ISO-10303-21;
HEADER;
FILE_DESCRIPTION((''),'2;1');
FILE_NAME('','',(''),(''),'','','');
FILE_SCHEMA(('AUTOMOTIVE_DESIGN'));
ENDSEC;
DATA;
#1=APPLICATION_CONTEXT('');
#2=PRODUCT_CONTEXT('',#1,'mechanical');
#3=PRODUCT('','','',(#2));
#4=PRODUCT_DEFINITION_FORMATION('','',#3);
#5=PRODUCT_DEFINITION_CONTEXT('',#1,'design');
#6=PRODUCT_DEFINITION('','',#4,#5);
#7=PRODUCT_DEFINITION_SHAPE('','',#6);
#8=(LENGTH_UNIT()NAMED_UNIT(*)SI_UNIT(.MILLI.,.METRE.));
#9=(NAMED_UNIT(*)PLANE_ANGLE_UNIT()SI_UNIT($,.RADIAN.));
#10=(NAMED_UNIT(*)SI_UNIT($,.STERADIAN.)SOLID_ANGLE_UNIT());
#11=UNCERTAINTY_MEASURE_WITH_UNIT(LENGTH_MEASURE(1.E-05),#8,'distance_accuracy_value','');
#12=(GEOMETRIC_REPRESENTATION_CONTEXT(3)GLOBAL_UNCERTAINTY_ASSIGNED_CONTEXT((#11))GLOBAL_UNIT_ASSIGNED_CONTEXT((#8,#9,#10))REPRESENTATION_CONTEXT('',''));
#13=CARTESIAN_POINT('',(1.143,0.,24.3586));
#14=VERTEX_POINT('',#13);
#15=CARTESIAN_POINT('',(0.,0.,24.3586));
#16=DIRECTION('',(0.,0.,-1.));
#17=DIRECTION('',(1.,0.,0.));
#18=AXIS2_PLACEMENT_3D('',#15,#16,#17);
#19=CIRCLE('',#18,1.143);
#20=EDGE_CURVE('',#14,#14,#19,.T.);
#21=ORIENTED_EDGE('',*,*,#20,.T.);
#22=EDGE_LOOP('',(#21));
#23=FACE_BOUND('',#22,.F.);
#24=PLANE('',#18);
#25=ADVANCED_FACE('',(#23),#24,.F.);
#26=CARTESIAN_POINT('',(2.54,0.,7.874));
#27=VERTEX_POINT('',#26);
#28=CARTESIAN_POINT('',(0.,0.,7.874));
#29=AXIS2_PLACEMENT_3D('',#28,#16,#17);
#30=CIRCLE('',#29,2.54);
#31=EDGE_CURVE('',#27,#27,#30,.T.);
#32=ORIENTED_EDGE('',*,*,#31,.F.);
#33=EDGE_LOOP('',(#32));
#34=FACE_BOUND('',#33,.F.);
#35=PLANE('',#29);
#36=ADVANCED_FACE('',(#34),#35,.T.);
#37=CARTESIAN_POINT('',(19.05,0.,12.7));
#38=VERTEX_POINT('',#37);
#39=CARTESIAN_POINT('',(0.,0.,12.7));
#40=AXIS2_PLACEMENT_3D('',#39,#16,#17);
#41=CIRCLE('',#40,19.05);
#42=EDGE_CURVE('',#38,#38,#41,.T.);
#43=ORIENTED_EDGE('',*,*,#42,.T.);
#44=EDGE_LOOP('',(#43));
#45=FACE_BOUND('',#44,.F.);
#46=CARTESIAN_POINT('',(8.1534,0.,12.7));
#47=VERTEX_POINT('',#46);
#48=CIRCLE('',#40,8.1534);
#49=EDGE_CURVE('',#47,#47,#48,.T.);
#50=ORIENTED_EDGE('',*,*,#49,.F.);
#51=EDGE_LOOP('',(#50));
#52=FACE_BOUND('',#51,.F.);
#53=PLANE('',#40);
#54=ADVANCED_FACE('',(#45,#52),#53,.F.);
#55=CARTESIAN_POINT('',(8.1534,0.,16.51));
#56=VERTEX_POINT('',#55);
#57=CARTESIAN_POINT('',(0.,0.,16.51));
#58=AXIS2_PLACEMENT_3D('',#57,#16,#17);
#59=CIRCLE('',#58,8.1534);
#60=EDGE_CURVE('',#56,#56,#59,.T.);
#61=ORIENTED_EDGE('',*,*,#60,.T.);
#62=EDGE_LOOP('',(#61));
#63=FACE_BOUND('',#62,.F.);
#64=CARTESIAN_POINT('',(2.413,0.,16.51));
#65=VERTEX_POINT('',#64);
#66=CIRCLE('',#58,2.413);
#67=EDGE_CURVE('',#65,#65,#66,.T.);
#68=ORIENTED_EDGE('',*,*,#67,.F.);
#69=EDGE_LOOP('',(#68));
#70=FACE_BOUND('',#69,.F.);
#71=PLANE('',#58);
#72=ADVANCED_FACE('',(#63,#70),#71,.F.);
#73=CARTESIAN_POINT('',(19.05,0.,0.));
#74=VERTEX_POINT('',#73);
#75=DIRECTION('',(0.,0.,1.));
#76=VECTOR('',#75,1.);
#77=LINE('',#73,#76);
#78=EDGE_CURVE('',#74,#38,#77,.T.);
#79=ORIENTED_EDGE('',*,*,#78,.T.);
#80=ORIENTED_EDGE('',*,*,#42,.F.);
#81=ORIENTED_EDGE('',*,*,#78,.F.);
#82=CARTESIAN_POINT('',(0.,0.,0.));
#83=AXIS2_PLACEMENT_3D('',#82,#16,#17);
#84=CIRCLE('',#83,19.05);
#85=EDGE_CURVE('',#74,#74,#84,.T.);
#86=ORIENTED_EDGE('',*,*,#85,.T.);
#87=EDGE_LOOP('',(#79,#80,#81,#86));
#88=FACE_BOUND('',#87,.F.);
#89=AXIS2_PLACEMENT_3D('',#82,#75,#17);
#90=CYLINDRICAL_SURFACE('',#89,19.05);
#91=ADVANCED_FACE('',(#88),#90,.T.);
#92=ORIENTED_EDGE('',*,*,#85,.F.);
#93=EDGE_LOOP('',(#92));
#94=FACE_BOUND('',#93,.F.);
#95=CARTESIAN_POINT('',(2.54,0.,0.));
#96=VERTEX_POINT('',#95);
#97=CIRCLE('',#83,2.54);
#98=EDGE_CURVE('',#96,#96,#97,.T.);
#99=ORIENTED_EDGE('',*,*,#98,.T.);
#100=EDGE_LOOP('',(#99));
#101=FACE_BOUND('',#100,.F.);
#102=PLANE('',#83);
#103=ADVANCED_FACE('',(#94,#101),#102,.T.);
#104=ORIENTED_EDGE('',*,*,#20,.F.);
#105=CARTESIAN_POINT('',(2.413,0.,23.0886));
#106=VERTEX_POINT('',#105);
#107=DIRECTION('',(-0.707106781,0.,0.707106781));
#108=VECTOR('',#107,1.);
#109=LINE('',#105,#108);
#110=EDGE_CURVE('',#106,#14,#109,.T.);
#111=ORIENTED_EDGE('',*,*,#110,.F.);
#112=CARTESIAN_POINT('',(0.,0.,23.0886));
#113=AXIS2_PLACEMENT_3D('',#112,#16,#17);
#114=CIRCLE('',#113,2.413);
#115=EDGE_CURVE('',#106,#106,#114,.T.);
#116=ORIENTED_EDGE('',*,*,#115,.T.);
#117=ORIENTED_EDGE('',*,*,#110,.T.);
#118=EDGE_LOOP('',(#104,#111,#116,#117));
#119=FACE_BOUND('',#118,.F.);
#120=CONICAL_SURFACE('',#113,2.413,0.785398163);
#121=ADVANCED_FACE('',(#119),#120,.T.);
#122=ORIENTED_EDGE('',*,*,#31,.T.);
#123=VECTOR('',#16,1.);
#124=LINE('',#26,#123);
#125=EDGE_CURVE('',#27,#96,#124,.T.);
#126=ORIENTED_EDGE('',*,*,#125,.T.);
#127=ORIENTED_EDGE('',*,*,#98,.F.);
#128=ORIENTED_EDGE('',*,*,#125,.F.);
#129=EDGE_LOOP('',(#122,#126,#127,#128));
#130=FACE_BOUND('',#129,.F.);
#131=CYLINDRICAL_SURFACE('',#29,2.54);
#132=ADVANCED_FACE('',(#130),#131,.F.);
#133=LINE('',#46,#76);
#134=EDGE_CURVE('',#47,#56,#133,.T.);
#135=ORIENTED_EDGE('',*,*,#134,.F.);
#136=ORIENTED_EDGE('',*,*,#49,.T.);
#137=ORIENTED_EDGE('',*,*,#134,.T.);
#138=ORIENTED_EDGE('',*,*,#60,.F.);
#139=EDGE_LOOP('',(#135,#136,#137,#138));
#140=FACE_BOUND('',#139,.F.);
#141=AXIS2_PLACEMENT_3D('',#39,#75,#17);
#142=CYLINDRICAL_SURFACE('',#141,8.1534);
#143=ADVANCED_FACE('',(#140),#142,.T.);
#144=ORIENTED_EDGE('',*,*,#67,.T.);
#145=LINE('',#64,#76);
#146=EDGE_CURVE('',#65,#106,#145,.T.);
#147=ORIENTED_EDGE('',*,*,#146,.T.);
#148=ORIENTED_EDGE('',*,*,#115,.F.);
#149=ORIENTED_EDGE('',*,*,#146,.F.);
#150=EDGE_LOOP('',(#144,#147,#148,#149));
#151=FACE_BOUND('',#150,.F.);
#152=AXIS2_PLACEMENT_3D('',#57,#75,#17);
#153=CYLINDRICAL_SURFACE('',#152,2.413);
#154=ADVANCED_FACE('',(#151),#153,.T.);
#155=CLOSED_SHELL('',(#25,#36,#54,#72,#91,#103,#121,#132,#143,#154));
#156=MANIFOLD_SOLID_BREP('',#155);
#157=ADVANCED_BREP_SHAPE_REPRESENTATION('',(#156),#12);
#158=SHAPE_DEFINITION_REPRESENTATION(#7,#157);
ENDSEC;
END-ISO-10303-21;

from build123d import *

# Parameters (mm, degrees)
F2_SIZE = 1.27


with BuildPart() as f1:
    # F0 (on Front) → F1 (revolve)
    with BuildSketch(Plane.XZ):
        Polygon((2.54, 0), (19.05, 0), (19.05, 12.7), (8.1534, 12.7), (8.1534, 16.51), (2.413, 16.51), (2.413, 24.3586), (0, 24.3586), (0, 16.51), (0, 7.874), (2.54, 7.874), align=None)
    revolve(axis=Axis((0, 0, 12.192), (0, 0, -1)))

    # F2
    f2_edges = [f1.edges().sort_by_distance(p)[0] for p in [
        (-2.413, 0, 24.3586),
    ]]
    chamfer(f2_edges, length=F2_SIZE)


solid = f1.part
